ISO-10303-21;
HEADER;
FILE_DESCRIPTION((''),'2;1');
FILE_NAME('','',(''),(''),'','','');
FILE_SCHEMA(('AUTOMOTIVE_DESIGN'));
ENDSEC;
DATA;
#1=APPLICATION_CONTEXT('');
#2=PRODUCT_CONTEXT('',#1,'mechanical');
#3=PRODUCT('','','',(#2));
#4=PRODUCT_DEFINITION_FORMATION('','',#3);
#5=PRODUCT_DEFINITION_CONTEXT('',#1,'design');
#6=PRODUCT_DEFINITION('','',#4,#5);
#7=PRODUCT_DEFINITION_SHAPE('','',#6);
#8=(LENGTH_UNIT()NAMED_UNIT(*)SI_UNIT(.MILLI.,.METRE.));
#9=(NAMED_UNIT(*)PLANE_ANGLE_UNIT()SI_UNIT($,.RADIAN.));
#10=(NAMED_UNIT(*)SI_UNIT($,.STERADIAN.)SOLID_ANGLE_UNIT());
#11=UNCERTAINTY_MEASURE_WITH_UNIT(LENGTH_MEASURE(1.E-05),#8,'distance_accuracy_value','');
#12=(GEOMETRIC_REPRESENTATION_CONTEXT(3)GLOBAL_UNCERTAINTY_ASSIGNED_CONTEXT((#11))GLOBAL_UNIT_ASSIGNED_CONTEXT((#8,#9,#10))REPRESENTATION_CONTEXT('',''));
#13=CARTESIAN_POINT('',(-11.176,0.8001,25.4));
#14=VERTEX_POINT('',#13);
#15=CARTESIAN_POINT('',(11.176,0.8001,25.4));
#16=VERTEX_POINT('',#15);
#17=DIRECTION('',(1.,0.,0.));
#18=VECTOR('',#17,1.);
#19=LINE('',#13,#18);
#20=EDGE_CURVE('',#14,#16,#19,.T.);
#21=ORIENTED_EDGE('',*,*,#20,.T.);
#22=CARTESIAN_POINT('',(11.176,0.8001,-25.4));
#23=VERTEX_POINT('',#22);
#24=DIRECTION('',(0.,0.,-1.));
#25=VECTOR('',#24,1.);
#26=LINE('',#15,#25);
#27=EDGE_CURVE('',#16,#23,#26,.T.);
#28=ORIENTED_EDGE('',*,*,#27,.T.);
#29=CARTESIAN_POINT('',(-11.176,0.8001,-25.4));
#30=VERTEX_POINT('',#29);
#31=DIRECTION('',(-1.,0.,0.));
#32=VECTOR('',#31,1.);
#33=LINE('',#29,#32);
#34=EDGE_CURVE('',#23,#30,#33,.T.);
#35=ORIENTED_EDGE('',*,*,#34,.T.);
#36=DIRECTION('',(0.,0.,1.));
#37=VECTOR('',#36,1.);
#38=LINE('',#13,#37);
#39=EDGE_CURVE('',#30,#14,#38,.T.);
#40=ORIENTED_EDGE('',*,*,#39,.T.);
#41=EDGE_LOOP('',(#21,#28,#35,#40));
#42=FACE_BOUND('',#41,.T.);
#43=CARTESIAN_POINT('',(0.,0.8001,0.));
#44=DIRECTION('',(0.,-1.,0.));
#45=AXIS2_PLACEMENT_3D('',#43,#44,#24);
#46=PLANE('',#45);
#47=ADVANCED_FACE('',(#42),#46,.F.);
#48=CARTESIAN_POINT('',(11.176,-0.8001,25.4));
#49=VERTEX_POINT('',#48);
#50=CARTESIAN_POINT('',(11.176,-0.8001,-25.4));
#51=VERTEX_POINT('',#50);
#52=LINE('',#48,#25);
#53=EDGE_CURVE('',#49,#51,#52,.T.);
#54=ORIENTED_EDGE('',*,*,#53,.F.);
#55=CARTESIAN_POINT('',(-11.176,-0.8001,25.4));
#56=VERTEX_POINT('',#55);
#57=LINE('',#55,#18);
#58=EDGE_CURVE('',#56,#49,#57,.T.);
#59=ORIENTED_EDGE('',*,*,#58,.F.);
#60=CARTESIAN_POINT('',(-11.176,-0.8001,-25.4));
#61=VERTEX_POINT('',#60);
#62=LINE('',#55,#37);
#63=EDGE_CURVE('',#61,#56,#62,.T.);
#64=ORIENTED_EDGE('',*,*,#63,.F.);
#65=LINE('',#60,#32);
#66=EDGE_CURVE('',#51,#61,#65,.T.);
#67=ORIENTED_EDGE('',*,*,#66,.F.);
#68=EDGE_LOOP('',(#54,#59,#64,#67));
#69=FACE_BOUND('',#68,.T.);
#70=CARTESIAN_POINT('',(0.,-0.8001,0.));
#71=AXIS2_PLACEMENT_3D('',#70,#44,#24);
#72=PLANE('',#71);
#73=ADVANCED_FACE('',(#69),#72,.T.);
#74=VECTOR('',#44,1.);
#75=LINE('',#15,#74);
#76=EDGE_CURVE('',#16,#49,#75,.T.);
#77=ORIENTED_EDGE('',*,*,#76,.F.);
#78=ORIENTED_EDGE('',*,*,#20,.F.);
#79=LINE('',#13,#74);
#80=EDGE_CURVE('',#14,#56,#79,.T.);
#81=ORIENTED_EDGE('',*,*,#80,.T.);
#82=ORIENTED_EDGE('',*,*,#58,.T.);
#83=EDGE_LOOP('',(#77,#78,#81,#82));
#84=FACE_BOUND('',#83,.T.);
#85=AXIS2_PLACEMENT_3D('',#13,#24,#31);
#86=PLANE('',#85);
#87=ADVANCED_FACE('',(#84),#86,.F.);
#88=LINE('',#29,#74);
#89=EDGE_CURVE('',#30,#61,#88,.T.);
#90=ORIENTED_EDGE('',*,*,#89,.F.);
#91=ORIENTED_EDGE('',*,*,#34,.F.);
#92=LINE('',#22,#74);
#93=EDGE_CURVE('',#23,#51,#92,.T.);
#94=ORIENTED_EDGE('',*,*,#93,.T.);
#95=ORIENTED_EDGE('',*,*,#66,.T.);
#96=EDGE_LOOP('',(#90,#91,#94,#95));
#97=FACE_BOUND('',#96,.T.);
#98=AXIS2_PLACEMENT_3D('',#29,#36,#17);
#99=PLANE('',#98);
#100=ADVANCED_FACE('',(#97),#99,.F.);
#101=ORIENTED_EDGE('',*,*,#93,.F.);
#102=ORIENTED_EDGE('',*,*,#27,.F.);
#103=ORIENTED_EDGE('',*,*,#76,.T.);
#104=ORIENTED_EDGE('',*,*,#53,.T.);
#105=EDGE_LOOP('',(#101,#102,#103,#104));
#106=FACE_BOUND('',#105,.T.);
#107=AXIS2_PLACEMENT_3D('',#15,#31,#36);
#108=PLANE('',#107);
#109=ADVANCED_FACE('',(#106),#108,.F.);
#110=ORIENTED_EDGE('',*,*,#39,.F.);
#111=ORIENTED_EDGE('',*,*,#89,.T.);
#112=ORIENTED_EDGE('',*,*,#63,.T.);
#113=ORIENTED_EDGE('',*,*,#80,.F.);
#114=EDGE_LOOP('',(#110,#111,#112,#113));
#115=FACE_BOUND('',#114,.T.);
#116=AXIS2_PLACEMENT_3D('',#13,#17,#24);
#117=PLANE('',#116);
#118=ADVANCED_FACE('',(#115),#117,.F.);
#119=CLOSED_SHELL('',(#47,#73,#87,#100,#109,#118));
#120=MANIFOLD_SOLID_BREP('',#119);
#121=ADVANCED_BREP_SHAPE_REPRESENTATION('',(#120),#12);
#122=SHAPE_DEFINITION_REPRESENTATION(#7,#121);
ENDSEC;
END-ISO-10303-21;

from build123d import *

# Parameters (mm, degrees)
SKETCH1_W           = 22.352
SKETCH1_H           = 50.8
BOSS_EXTRUDE1_DEPTH = 0.8001


with BuildPart() as part:
    # Sketch1 → Boss-Extrude1 (new body, symmetric)
    with BuildSketch(Plane(origin=(0, 0, 0), x_dir=(1, 0, 0), z_dir=(0, 1, 0))):
        Rectangle(SKETCH1_W, SKETCH1_H)
    extrude(amount=BOSS_EXTRUDE1_DEPTH, both=True)


solid = part.part
